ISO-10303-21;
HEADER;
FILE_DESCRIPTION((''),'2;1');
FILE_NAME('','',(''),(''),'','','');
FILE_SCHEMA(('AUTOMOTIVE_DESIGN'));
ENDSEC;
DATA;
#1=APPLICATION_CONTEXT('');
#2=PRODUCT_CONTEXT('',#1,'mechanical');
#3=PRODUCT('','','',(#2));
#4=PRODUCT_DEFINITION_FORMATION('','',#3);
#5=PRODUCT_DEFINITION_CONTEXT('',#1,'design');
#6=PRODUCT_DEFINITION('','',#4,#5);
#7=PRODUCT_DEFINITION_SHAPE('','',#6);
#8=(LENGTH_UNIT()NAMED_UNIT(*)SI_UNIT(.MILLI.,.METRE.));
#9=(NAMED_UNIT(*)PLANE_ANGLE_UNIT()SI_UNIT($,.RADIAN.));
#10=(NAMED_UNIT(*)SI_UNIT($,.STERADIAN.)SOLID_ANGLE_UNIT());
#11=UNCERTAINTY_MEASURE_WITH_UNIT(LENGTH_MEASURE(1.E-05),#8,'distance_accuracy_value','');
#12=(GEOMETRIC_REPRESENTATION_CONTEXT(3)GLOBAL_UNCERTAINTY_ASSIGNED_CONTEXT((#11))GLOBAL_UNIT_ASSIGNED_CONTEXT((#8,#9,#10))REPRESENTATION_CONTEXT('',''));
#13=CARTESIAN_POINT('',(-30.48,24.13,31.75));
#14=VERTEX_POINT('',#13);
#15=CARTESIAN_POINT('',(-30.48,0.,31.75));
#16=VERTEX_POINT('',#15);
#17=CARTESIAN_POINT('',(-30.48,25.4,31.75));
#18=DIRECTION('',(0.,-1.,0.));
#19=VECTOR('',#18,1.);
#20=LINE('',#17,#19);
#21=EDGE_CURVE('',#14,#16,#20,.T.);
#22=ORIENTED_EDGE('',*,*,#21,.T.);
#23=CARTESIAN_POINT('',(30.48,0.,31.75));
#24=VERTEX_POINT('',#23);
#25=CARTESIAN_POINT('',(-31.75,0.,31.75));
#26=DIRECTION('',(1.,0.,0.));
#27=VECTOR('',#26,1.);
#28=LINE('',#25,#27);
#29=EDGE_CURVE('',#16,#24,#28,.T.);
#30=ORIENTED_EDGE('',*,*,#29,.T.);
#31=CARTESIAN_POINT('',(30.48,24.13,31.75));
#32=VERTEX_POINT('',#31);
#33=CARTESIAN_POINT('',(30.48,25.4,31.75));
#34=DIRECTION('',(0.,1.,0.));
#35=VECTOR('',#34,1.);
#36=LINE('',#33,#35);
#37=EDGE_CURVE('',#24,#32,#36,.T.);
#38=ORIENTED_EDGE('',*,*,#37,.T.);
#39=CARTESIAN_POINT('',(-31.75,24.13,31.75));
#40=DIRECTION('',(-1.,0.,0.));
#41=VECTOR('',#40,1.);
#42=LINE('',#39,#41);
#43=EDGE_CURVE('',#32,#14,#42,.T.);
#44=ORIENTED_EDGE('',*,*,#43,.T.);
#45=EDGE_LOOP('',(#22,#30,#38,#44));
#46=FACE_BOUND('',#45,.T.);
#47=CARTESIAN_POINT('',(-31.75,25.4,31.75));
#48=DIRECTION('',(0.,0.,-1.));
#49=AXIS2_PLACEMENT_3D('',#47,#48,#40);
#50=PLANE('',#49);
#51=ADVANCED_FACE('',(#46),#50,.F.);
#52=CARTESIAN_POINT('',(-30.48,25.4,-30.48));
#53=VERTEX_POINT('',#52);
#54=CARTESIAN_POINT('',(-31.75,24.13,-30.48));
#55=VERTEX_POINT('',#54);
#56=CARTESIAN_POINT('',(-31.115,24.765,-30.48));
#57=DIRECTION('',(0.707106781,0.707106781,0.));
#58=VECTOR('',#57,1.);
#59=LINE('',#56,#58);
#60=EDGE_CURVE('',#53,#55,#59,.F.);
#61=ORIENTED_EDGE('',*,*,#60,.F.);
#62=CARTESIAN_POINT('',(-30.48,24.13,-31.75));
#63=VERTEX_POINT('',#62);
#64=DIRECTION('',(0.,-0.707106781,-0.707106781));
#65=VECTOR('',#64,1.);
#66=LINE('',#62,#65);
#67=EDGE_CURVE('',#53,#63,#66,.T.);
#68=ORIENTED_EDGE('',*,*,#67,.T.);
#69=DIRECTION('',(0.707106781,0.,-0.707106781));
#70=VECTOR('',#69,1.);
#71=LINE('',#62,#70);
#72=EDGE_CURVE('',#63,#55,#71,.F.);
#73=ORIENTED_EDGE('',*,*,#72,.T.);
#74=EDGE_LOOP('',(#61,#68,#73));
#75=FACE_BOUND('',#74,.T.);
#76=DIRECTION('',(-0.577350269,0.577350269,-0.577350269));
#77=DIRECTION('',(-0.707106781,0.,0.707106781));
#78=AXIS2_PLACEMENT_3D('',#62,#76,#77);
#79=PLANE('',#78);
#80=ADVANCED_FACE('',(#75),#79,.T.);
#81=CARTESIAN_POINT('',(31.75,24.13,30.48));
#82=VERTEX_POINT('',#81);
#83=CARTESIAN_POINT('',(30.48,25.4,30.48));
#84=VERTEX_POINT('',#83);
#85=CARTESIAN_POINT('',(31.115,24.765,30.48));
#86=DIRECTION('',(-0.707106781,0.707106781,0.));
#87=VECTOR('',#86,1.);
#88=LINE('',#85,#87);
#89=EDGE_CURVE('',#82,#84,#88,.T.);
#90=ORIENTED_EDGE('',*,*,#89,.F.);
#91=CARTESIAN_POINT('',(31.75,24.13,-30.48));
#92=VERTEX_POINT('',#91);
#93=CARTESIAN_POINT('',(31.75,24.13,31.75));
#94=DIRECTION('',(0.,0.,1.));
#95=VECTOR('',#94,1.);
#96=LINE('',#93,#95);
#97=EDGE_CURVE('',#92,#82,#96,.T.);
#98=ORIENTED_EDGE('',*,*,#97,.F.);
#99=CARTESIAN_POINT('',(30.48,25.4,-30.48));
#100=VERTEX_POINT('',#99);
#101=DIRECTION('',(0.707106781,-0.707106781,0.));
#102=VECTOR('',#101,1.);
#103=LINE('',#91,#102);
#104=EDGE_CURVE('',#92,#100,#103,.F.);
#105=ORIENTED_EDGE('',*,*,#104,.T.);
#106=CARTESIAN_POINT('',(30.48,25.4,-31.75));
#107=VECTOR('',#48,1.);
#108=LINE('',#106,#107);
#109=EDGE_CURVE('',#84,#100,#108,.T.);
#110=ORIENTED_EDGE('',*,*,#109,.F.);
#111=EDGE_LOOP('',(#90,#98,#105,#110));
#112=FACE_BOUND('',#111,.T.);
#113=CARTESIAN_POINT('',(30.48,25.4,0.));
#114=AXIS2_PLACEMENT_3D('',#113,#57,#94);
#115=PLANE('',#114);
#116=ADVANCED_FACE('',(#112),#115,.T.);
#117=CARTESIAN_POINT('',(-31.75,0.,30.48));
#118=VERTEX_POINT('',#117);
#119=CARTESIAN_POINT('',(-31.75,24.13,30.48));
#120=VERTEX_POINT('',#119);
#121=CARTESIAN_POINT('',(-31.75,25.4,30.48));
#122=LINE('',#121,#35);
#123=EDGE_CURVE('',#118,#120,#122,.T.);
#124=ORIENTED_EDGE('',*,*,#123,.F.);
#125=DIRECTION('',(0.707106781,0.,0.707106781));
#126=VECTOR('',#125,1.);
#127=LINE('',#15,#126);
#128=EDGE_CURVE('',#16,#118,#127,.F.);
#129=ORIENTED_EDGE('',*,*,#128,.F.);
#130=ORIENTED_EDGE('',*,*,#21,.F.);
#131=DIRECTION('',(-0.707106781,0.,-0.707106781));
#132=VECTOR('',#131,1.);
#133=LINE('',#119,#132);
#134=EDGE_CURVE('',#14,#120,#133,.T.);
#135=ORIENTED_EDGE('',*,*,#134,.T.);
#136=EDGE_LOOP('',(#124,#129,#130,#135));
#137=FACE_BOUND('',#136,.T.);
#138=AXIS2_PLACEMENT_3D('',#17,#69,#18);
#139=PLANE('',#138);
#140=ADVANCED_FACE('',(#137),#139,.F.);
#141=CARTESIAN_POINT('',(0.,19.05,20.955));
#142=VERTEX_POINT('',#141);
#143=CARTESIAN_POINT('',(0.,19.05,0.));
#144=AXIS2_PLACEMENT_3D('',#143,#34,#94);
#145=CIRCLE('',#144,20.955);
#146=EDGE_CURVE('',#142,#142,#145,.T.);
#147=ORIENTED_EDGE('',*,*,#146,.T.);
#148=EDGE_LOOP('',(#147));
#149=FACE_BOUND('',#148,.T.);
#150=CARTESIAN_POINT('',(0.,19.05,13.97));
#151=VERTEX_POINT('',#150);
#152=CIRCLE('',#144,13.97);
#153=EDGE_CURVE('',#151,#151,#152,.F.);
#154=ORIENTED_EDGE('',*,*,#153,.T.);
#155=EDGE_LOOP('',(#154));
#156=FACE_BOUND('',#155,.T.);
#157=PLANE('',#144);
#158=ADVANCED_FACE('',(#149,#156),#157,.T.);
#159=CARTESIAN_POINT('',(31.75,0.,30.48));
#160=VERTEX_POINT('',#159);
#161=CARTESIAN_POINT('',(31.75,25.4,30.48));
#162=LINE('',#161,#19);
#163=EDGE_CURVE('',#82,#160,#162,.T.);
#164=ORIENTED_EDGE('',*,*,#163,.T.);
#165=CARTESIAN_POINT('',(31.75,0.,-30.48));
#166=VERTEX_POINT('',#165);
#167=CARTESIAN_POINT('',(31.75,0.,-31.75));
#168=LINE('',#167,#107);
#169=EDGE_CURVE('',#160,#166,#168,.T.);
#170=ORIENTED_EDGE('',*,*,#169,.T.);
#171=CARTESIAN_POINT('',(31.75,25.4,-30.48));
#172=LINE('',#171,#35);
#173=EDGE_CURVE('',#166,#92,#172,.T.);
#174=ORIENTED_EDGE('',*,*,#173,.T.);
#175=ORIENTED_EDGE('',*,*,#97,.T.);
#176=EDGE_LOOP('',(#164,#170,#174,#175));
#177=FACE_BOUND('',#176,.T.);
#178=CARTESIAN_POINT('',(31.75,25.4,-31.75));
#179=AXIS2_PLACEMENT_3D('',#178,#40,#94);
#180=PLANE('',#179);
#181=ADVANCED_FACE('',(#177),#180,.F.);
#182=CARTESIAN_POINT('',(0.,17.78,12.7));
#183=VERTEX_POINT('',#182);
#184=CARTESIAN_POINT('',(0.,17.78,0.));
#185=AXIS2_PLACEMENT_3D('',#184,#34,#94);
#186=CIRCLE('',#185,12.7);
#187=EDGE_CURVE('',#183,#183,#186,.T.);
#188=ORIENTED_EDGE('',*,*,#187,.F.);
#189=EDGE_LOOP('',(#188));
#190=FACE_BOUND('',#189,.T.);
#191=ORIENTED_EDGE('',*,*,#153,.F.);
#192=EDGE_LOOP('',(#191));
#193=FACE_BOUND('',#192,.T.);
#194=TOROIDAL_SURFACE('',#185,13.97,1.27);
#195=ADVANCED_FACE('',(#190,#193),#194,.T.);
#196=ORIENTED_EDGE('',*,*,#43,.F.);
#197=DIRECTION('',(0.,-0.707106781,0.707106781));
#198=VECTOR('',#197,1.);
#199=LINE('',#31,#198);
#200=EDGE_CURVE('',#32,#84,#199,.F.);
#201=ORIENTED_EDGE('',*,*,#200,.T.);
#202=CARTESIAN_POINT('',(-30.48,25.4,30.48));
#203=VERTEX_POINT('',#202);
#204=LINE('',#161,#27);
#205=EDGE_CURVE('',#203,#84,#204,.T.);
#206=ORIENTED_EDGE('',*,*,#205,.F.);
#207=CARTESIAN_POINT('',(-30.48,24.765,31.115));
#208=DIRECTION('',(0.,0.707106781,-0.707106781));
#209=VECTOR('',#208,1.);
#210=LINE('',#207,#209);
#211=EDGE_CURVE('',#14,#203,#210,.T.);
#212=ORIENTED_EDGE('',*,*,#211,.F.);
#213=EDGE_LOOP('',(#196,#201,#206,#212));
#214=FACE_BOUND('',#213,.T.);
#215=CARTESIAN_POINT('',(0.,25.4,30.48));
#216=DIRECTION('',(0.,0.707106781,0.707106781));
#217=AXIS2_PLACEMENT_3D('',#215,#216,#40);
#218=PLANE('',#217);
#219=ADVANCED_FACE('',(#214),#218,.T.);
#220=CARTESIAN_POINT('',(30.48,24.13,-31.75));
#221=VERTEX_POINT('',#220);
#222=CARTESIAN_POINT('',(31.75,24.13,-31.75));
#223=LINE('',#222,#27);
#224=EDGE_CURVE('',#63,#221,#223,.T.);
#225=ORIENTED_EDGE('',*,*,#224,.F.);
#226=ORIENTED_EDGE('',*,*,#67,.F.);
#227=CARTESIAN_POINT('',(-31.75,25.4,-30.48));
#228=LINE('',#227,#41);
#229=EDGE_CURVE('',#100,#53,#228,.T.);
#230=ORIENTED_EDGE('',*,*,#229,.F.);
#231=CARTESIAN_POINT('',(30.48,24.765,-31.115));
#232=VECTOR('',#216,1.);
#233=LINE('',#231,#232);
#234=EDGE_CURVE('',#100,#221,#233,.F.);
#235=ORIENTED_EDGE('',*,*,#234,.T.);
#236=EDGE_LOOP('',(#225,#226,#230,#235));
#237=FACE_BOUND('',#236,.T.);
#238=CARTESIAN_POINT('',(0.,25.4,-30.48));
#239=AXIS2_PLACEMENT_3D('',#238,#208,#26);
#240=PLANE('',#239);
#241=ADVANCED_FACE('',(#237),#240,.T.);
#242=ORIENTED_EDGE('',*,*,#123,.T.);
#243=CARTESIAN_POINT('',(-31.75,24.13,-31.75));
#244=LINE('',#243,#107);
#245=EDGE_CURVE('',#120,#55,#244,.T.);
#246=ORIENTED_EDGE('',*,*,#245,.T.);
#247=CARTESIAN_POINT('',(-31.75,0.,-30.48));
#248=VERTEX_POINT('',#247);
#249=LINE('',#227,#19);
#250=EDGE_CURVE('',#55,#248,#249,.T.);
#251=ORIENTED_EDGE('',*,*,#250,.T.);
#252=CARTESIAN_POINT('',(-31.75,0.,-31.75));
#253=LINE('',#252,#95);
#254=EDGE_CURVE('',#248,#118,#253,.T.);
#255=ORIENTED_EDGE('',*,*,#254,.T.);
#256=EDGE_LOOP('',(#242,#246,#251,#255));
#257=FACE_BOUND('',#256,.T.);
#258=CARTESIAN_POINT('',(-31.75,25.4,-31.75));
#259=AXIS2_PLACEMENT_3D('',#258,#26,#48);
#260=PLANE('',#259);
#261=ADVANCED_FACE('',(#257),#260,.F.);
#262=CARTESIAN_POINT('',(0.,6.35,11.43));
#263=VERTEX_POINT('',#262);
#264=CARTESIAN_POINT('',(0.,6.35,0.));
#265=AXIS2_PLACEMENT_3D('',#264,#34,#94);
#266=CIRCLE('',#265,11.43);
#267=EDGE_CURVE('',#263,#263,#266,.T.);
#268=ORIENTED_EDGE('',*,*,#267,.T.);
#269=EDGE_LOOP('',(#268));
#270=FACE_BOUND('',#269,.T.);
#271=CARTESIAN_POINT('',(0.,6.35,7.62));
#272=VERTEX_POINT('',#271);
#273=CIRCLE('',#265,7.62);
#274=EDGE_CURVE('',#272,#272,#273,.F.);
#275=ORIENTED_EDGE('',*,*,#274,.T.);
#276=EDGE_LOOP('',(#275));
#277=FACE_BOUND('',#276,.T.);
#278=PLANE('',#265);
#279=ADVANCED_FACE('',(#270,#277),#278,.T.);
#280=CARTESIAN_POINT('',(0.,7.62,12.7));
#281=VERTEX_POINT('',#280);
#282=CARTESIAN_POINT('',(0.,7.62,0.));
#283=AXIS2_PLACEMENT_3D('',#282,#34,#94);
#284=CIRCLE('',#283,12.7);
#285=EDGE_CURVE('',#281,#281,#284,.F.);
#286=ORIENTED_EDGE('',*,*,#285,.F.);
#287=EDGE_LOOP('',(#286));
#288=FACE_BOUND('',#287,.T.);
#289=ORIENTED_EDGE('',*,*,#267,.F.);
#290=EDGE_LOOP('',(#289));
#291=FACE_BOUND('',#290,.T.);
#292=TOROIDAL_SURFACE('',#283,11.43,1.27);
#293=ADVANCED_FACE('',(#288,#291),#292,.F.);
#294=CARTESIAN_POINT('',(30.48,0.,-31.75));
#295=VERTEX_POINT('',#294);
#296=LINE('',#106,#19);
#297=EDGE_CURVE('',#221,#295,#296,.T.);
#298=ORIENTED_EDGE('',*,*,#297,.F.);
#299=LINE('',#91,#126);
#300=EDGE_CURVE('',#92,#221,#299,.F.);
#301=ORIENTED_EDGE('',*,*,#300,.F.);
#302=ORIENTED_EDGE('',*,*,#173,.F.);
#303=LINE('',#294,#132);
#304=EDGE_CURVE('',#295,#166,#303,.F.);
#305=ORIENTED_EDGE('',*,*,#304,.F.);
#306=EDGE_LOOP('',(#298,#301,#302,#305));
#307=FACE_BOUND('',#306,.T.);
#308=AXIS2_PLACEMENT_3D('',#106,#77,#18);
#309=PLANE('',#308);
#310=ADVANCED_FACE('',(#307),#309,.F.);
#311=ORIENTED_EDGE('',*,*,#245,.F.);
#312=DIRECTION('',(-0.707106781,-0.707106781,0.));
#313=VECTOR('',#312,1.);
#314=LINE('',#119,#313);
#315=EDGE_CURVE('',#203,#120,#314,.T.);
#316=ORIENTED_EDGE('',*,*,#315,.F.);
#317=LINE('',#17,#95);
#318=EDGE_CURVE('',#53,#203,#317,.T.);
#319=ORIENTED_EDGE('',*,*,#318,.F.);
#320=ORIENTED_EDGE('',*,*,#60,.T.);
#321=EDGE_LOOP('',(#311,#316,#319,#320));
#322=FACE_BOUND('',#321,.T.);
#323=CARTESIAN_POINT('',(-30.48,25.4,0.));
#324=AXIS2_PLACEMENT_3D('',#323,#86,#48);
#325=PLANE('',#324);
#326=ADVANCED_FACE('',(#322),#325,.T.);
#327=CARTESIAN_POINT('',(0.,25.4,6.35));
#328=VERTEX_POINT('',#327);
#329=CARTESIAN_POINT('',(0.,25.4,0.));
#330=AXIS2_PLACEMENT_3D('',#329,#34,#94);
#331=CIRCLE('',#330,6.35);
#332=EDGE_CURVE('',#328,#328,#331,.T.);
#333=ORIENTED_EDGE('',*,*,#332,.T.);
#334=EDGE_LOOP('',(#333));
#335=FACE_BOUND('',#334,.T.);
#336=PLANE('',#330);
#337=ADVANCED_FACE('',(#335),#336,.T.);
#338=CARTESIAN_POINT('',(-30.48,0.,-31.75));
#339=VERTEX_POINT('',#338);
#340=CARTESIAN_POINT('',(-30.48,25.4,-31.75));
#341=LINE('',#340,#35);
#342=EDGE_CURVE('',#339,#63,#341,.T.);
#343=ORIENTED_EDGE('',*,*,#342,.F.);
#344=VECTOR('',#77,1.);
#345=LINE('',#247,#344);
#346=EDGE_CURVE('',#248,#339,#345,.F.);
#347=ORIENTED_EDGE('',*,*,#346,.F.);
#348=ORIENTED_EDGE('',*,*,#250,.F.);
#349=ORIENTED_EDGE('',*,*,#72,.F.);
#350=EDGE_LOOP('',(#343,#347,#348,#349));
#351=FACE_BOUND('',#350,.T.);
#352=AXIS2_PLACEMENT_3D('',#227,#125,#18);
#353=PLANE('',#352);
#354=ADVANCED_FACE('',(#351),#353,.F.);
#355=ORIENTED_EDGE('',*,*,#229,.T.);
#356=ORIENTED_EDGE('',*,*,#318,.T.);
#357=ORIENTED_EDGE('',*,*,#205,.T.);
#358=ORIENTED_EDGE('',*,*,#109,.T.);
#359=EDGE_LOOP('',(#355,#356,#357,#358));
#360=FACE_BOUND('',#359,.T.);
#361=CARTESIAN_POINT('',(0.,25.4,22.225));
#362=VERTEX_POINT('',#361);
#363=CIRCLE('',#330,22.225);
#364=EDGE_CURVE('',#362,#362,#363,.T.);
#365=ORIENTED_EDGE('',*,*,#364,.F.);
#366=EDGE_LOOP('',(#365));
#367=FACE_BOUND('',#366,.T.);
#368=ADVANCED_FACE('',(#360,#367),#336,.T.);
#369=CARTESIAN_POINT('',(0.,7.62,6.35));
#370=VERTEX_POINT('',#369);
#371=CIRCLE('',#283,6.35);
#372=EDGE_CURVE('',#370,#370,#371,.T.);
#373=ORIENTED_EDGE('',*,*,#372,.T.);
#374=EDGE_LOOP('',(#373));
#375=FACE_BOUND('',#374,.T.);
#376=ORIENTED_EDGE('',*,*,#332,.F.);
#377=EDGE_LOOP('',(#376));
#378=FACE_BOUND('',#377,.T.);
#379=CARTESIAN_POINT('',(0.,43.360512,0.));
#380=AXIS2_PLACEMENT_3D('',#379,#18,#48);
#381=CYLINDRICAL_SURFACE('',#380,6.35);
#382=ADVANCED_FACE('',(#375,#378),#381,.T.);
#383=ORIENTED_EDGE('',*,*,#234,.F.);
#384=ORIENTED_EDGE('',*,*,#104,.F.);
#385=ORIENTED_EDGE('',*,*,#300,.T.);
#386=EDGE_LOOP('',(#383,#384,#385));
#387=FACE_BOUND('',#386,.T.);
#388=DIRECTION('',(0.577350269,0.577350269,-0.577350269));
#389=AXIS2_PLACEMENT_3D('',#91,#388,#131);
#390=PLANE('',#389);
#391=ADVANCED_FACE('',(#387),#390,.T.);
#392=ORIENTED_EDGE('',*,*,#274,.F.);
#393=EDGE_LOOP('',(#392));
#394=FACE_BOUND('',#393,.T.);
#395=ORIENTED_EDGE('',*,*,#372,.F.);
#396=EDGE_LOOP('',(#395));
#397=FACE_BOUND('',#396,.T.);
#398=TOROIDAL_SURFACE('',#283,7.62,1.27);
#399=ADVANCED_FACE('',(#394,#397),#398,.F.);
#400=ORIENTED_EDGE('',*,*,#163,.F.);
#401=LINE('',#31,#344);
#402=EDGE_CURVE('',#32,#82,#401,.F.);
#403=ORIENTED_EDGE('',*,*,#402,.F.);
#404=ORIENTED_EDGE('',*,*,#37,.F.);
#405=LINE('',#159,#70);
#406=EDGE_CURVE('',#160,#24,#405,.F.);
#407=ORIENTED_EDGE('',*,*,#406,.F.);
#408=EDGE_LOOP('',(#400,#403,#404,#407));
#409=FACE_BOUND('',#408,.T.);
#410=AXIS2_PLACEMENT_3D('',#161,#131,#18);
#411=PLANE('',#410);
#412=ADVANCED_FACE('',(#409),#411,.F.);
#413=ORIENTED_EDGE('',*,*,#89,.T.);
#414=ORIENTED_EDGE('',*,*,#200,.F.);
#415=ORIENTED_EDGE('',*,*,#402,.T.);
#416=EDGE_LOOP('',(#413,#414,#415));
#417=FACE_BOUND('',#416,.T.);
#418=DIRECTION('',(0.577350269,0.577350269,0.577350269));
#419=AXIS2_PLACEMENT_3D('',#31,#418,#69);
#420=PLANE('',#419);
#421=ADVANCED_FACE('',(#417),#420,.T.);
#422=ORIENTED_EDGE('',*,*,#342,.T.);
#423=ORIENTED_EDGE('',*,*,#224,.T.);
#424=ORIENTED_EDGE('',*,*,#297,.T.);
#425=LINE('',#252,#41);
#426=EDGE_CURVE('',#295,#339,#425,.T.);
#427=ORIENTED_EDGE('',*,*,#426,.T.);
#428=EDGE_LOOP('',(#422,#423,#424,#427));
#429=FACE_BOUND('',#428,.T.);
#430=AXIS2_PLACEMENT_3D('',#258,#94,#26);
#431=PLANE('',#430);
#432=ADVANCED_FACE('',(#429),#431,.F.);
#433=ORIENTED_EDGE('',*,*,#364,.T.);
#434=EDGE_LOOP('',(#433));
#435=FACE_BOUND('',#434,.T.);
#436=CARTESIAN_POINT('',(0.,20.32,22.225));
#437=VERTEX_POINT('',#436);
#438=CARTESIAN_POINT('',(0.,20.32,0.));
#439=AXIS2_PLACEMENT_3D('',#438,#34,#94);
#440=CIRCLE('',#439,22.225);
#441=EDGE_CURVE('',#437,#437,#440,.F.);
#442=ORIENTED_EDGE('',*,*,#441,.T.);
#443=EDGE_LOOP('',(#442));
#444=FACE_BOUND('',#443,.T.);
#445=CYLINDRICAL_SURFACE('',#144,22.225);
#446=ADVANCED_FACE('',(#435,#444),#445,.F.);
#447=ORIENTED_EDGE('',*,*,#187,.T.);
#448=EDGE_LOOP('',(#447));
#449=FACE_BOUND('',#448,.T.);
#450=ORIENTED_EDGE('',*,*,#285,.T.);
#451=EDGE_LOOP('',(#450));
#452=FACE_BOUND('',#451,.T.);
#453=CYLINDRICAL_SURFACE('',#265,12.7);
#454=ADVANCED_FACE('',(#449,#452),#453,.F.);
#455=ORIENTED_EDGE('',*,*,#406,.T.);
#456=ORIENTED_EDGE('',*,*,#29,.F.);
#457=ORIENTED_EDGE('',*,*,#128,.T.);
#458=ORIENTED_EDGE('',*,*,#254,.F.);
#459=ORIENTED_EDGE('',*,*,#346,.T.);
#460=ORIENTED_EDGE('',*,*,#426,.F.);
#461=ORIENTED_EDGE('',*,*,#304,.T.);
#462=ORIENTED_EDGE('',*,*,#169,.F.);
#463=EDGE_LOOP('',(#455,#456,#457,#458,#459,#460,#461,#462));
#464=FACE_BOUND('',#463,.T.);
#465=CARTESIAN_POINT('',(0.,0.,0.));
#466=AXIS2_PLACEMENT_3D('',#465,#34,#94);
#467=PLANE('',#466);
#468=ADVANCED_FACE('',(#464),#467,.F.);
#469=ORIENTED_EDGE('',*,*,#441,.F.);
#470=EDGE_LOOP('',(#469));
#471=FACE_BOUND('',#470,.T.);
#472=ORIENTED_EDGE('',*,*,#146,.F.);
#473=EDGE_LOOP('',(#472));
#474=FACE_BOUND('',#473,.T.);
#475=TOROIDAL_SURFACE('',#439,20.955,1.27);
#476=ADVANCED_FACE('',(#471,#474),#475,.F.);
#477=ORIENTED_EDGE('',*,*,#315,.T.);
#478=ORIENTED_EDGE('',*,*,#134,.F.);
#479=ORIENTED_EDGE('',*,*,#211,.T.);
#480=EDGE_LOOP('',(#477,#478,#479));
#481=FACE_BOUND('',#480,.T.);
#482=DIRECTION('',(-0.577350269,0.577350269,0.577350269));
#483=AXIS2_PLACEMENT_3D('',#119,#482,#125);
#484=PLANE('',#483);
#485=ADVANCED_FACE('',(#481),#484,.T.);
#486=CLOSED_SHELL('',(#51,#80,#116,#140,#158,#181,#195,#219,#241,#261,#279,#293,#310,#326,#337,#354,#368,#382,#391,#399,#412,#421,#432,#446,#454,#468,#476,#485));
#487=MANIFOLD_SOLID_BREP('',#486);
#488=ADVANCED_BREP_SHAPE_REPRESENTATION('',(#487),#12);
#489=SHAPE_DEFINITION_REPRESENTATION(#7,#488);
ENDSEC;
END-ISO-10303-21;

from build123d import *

# Parameters (mm, degrees)
SKETCH1_W           = 63.5
SKETCH1_H           = 63.5
BOSS_EXTRUDE1_DEPTH = 25.4
SKETCH2_R           = 22.225
CUT_EXTRUDE1_DEPTH  = 6.35
SKETCH3_R           = 12.7
CUT_EXTRUDE2_DEPTH  = 12.7
SKETCH4_R           = 6.35
BOSS_EXTRUDE2_DEPTH = 19.05
FILLET1_R           = 1.27
CHAMFER1_SIZE       = 1.27


with BuildPart() as part:
    # Sketch1 → Boss-Extrude1 (new body)
    with BuildSketch(Plane(origin=(0, 0, 0), x_dir=(1, 0, 0), z_dir=(0, 1, 0))):
        Rectangle(SKETCH1_W, SKETCH1_H)
    extrude(amount=BOSS_EXTRUDE1_DEPTH)

    # Sketch2 → Cut-Extrude1 (cut)
    with BuildSketch(Plane(origin=(0, 25.4, 0), x_dir=(1, 0, 0), z_dir=(0, 1, 0))):
        with Locations(Location((0, 0, 0), (0, 0, 270))):
            Circle(SKETCH2_R)
    extrude(amount=-CUT_EXTRUDE1_DEPTH, mode=Mode.SUBTRACT)

    # Sketch3 → Cut-Extrude2 (cut)
    with BuildSketch(Plane(origin=(0, 19.05, 0), x_dir=(1, 0, 0), z_dir=(0, 1, 0))):
        with Locations(Location((0, 0, 0), (0, 0, 270))):
            Circle(SKETCH3_R)
    extrude(amount=-CUT_EXTRUDE2_DEPTH, mode=Mode.SUBTRACT)

    # Sketch4 → Boss-Extrude2 (add)
    with BuildSketch(Plane(origin=(0, 6.35, 0), x_dir=(1, 0, 0), z_dir=(0, 1, 0))):
        with Locations(Location((0, 0, 0), (0, 0, 270))):
            Circle(SKETCH4_R)
    extrude(amount=BOSS_EXTRUDE2_DEPTH)

    # Fillet1
    fillet1_edges = [part.edges().sort_by_distance(p)[0] for p in [
        (0, 19.05, -22.225),
        (0, 6.35, -12.7),
        (0, 19.05, -12.7),
        (0, 6.35, -6.35),
    ]]
    fillet(fillet1_edges, radius=FILLET1_R)

    # Chamfer1
    chamfer1_edges = [part.edges().sort_by_distance(p)[0] for p in [
        (-31.75, 25.4, 0),
        (0, 25.4, 31.75),
        (31.75, 25.4, 0),
        (0, 25.4, -31.75),
        (31.75, 12.7, 31.75),
        (-31.75, 12.7, 31.75),
        (-31.75, 12.7, -31.75),
        (31.75, 12.7, -31.75),
    ]]
    chamfer(chamfer1_edges, length=CHAMFER1_SIZE)


solid = part.part
